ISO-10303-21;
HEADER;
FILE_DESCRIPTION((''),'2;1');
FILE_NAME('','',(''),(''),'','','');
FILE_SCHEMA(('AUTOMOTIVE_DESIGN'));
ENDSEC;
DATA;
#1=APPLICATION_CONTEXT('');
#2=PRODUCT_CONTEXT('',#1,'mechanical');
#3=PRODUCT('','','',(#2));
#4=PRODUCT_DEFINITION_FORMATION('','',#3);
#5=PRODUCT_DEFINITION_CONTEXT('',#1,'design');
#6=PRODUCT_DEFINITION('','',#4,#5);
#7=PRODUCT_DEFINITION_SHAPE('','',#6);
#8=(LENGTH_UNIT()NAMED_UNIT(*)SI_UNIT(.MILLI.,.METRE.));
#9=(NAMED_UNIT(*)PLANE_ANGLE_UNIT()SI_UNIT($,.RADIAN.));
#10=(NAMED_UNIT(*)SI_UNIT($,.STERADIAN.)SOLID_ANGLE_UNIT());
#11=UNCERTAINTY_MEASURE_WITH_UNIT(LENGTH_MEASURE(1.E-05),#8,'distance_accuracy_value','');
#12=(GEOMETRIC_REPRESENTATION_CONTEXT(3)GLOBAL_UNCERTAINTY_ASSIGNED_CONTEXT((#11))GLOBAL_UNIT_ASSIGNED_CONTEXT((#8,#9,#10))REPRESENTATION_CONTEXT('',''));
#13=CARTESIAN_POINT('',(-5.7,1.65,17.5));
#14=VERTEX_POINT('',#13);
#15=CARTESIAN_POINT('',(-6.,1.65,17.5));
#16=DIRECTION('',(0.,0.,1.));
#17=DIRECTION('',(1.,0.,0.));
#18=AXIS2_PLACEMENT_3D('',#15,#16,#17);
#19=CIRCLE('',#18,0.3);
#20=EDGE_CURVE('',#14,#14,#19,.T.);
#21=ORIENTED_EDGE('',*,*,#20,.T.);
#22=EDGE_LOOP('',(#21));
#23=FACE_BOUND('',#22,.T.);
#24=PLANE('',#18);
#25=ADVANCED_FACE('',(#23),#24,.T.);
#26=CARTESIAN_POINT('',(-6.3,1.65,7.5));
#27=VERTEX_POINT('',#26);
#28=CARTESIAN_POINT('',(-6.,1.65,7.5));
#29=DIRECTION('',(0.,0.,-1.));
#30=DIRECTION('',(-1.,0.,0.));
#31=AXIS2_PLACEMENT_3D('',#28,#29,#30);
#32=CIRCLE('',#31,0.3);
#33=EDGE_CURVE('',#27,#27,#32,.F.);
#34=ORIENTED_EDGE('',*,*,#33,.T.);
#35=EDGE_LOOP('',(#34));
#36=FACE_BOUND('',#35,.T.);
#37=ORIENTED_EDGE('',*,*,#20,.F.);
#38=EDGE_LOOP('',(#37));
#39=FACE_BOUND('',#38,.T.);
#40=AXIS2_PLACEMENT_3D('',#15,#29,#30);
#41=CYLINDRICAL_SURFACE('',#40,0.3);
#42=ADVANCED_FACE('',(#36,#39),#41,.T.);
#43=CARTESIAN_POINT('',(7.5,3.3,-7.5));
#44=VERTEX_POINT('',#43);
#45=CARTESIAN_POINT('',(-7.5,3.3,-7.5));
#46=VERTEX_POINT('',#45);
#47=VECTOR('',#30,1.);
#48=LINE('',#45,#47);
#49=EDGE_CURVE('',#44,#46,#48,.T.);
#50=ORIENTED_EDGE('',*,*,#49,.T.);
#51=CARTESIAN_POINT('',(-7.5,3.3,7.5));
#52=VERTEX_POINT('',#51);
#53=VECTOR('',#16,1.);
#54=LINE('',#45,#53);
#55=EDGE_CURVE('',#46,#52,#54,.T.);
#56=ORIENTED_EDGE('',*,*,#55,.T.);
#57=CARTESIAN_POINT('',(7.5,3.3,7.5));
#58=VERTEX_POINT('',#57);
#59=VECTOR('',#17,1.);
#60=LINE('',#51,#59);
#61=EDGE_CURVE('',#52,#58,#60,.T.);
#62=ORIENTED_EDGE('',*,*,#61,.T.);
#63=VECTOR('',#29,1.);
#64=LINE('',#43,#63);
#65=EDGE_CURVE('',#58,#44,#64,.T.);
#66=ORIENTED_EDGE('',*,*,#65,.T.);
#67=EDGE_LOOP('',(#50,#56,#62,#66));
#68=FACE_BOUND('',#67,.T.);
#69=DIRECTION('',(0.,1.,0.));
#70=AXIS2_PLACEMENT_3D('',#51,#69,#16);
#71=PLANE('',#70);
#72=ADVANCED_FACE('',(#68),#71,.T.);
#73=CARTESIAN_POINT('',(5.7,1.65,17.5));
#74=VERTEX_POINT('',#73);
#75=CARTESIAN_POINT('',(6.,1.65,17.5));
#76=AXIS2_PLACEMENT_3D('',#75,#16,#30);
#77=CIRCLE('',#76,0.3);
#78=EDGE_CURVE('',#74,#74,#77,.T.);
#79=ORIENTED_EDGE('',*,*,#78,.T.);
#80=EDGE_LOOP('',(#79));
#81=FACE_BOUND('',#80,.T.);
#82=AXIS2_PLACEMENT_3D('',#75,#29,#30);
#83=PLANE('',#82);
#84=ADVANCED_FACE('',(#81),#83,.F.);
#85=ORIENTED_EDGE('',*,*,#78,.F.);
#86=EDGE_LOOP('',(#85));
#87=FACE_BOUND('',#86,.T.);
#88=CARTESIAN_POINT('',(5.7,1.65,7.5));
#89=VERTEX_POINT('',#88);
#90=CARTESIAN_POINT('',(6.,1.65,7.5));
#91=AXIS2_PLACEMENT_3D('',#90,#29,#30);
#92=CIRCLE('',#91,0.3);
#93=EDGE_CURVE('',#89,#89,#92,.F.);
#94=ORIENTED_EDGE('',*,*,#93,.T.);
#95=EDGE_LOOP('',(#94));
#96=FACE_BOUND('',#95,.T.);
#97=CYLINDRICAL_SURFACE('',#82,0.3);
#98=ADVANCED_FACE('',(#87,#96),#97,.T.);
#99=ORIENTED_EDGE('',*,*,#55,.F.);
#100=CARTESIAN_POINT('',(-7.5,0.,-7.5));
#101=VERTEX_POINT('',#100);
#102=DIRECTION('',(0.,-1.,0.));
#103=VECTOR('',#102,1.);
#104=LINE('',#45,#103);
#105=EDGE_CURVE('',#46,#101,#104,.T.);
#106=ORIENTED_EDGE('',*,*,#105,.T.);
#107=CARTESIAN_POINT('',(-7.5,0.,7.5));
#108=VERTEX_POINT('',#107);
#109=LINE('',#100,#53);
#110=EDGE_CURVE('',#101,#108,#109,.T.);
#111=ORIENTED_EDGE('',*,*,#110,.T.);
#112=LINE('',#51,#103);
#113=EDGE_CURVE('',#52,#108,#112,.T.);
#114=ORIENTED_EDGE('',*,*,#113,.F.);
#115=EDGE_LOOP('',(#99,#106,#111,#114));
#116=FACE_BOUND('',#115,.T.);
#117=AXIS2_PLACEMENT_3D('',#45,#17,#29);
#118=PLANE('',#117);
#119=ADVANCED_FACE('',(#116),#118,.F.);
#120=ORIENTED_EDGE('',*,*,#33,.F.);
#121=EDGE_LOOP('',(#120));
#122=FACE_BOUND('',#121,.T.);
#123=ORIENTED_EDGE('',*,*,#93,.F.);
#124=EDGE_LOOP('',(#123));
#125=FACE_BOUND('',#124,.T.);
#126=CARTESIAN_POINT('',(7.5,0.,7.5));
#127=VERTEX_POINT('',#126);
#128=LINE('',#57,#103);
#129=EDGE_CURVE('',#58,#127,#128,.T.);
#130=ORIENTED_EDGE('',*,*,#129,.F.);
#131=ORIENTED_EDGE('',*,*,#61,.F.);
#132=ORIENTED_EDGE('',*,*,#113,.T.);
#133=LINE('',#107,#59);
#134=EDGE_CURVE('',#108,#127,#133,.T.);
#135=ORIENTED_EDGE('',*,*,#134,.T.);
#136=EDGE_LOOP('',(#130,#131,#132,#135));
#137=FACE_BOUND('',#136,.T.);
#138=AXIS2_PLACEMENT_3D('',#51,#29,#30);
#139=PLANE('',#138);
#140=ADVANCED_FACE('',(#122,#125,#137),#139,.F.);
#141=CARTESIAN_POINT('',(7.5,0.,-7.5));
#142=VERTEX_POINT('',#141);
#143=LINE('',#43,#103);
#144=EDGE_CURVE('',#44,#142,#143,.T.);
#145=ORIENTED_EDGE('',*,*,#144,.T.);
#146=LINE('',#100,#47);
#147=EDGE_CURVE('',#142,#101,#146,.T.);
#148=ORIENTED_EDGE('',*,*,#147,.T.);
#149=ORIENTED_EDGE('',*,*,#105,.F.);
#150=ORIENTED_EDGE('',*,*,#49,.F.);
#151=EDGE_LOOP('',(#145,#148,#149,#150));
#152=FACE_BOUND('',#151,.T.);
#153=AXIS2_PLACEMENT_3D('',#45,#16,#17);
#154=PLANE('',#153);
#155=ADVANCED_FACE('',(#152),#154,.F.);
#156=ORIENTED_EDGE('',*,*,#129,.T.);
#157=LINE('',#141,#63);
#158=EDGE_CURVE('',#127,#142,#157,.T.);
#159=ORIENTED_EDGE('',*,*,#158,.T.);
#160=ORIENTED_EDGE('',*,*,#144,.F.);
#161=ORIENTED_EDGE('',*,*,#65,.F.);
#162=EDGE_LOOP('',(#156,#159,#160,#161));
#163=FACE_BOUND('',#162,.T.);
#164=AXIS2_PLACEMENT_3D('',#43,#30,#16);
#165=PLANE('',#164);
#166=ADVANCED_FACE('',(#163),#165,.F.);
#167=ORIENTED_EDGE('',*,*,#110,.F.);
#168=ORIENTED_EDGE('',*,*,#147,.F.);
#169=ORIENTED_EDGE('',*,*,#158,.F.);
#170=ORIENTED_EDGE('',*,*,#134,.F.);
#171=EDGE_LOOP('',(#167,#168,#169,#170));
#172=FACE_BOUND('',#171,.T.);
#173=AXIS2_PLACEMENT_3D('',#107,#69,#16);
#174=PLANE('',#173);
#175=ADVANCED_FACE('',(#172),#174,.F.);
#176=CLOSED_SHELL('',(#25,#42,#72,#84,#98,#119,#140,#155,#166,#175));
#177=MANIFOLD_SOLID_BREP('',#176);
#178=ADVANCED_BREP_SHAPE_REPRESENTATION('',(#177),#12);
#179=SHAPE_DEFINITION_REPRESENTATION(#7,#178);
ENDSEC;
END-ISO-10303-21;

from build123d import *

# Parameters (mm, degrees)
SKETCH_1_W      = 15
SKETCH_1_H      = 15
EXTRUDE_1_DEPTH = 3.3
SKETCH_2_R      = 0.3
EXTRUDE_2_DEPTH = 10


with BuildPart() as part:
    # 草图1 → 拉伸1 (new body)
    with BuildSketch(Plane(origin=(0, 0, 0), x_dir=(1, 0, 0), z_dir=(0, 1, 0))):
        Rectangle(SKETCH_1_W, SKETCH_1_H)
    extrude(amount=EXTRUDE_1_DEPTH)

    # 草图2 → 拉伸2 (add)
    with BuildSketch(Plane.XY.offset(7.5)):
        with Locations(Location((-6, 1.65, 0), (0, 0, 180))):
            Circle(SKETCH_2_R)
        with Locations(Location((6, 1.65, 0), (0, 0, 180))):
            Circle(SKETCH_2_R)
    extrude(amount=EXTRUDE_2_DEPTH)


solid = part.part
